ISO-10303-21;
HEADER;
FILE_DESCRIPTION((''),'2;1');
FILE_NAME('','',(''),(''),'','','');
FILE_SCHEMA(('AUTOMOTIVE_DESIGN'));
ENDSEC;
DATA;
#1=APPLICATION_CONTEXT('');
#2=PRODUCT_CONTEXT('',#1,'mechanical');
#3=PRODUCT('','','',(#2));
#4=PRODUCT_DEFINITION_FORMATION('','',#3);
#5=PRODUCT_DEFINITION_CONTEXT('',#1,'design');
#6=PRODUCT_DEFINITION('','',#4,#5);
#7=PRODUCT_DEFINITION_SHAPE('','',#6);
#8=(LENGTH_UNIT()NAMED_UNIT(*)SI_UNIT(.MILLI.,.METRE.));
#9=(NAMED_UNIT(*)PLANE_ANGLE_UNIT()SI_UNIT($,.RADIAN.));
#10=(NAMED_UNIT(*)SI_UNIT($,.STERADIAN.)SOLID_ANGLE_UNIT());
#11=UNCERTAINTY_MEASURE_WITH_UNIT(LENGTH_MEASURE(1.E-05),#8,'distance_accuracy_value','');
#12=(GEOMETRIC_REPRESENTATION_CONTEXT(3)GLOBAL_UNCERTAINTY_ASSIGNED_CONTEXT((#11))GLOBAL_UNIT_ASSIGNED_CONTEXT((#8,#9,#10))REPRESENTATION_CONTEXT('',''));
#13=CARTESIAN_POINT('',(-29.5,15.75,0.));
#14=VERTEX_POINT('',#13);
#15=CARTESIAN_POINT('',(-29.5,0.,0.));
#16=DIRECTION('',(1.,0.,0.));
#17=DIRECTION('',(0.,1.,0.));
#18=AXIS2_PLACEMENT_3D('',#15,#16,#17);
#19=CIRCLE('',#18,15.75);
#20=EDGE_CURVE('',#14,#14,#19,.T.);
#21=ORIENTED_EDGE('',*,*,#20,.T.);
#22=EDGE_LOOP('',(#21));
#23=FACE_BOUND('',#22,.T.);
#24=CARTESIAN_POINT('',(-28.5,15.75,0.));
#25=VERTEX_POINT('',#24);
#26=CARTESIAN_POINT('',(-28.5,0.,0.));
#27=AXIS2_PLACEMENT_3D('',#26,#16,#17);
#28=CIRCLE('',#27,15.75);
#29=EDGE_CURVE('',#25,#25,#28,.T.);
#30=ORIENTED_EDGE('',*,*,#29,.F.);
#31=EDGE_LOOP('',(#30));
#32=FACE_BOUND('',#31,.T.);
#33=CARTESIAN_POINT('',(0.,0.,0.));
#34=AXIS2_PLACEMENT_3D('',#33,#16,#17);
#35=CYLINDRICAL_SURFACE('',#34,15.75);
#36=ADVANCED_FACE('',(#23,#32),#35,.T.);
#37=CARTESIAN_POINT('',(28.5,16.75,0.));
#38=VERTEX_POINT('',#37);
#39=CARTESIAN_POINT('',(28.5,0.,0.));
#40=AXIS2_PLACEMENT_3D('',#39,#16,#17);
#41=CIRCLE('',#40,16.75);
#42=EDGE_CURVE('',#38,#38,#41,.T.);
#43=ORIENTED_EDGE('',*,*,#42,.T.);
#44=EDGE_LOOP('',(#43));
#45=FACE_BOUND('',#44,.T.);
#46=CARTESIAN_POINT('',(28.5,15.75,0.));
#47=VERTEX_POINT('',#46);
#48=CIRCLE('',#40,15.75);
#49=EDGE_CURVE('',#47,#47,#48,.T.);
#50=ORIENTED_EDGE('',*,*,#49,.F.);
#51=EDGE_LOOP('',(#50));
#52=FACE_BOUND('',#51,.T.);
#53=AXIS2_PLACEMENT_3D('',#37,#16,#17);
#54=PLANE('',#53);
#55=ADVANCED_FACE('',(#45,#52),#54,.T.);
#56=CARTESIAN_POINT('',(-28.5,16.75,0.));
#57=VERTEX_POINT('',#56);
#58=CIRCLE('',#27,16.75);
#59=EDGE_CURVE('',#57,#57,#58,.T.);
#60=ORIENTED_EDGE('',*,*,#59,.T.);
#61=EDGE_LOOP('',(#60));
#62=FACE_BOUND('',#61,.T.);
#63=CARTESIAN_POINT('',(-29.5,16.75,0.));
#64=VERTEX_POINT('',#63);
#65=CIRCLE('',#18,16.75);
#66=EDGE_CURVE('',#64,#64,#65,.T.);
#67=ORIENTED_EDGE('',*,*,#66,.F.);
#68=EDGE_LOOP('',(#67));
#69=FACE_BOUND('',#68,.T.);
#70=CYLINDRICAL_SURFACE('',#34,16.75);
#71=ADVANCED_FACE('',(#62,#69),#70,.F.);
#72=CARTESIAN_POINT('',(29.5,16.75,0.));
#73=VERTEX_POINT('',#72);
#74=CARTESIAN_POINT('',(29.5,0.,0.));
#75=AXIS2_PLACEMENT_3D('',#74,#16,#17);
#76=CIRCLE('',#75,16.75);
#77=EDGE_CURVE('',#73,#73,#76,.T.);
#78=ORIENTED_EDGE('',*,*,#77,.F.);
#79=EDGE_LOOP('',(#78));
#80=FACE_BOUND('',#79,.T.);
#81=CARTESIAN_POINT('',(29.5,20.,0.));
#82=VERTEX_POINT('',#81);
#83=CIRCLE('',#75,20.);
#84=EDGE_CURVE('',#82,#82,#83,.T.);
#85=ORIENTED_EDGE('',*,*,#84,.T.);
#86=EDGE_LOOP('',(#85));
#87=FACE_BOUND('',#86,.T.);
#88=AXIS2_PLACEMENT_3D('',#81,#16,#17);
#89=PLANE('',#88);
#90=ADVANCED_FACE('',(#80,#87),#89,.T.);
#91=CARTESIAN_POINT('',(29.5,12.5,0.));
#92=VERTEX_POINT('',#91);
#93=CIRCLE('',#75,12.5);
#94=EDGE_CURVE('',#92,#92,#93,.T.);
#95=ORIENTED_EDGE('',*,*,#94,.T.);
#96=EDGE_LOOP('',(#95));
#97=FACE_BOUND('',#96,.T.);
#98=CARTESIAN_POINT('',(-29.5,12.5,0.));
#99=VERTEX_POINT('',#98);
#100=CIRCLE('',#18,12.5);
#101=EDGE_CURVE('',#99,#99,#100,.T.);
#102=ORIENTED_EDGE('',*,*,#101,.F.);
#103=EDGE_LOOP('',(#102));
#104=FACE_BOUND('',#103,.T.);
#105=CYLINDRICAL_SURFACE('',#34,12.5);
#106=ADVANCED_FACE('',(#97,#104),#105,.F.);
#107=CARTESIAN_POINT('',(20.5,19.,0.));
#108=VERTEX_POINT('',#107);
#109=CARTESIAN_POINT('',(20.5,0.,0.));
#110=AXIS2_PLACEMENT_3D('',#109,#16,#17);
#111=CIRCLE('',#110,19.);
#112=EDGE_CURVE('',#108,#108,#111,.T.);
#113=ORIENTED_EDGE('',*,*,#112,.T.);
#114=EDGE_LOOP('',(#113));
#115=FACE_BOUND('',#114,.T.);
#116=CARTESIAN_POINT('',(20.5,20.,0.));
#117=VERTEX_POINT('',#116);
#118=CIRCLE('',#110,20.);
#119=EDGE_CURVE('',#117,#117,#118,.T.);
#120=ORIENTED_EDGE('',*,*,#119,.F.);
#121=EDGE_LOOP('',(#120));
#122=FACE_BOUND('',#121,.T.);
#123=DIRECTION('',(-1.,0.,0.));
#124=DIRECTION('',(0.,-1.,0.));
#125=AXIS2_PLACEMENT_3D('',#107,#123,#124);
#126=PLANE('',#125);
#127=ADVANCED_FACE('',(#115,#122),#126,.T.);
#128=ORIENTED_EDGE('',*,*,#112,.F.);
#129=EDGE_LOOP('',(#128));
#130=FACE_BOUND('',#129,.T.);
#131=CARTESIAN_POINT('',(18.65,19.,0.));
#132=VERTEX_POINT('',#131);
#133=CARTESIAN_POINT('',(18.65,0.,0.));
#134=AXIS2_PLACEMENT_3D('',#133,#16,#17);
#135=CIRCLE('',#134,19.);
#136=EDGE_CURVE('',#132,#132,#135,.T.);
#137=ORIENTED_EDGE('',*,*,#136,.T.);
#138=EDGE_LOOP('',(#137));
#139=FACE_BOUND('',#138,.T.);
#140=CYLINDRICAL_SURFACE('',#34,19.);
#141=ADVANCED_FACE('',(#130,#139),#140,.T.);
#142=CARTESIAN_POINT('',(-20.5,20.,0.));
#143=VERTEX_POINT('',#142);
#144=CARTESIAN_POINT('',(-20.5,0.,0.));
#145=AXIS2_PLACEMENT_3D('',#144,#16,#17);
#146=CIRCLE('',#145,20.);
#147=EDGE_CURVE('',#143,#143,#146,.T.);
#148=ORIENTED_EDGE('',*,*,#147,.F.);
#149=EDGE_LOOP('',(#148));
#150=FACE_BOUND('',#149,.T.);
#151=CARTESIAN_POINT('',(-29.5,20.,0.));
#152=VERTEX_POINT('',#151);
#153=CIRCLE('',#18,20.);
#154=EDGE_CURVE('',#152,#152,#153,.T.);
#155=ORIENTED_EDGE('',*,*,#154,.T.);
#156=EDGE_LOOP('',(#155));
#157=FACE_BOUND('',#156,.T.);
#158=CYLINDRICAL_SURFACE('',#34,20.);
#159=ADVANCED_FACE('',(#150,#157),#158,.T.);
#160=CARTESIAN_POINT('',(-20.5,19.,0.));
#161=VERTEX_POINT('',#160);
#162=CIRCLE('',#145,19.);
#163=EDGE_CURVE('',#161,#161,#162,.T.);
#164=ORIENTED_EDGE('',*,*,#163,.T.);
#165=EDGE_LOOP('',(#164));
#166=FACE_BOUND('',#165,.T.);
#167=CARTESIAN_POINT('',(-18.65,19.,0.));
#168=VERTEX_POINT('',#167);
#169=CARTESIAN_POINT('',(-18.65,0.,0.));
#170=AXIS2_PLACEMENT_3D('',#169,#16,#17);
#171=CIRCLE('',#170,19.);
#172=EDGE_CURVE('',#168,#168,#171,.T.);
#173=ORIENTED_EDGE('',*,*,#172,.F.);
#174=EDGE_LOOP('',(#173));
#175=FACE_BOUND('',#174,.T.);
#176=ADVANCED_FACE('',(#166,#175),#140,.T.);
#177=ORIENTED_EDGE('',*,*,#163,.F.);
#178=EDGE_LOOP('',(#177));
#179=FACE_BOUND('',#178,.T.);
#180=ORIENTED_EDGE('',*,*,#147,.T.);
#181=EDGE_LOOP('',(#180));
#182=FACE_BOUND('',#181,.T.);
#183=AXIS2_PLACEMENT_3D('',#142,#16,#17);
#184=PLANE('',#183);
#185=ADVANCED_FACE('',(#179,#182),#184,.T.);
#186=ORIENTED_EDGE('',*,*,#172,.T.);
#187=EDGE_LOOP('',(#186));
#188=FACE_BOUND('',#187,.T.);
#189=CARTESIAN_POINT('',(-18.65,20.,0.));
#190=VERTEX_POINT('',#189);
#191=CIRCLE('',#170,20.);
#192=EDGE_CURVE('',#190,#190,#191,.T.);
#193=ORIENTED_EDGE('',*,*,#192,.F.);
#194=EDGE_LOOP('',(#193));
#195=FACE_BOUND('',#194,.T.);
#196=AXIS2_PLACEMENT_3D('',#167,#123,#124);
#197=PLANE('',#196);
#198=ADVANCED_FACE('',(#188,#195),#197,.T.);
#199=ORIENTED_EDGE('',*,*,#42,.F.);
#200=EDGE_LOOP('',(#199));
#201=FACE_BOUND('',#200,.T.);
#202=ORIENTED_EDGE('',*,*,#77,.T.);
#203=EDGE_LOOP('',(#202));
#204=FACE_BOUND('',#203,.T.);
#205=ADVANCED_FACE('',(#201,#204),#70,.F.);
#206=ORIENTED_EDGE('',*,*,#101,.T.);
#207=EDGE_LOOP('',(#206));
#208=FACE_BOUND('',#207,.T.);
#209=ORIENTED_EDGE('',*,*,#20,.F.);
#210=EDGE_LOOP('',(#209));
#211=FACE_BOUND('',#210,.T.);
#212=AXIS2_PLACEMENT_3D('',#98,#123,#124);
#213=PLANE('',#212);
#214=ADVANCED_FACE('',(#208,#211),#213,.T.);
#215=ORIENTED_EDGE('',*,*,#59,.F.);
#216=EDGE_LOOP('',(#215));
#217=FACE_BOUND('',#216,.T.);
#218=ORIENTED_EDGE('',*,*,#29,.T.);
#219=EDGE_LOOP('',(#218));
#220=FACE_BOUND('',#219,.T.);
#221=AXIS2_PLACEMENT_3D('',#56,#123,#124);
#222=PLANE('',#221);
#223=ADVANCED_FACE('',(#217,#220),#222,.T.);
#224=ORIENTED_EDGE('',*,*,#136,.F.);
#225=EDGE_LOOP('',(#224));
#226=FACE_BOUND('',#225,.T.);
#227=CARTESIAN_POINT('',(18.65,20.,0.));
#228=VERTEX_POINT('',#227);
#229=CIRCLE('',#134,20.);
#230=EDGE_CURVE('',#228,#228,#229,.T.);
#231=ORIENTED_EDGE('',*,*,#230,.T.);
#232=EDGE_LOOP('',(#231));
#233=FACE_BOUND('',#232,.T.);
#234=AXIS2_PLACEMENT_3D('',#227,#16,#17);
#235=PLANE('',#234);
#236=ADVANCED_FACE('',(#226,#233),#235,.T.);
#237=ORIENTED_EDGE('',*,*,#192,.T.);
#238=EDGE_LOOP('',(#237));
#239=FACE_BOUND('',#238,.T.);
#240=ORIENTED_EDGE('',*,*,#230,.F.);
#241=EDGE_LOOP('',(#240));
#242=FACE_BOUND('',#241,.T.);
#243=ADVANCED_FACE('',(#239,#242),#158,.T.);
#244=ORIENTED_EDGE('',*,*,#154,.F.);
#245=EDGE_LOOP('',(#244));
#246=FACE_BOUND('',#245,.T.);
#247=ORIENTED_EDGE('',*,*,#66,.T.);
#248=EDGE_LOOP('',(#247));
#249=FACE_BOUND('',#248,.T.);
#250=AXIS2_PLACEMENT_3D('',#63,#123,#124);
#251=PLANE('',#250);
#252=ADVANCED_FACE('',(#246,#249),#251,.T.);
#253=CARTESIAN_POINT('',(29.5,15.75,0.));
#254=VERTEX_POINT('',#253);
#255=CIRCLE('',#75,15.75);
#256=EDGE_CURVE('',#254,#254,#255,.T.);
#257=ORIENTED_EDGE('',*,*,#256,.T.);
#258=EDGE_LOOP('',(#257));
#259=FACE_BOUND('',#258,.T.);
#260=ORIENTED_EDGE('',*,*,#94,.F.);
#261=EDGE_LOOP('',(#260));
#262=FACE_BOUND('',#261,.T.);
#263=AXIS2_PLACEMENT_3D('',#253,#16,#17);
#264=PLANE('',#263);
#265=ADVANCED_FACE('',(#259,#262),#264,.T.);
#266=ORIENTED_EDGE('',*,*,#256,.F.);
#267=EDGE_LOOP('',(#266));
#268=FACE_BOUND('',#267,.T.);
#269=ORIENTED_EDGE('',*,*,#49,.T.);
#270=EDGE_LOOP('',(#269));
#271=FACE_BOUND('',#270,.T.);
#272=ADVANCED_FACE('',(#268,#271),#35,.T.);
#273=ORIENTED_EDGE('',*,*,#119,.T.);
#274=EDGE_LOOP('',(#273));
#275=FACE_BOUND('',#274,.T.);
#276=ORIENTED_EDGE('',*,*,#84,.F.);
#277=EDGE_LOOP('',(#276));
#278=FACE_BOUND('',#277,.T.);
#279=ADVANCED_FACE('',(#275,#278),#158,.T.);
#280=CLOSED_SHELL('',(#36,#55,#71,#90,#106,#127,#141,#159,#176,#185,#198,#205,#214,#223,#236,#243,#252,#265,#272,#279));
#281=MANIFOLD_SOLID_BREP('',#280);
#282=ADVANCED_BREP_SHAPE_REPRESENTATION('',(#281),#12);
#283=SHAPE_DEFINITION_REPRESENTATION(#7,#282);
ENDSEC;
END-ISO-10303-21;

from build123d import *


with BuildPart() as part:
    # Esboço1 → Revolução1 (revolve)
    with BuildSketch(Plane.XY):
        Polygon((-29.5, 20), (-20.5, 20), (-20.5, 19), (-18.65, 19), (-18.65, 20), (18.65, 20), (18.65, 19), (20.5, 19), (20.5, 20), (29.5, 20), (29.5, 16.75), (28.5, 16.75), (28.5, 15.75), (29.5, 15.75), (29.5, 12.5), (-29.5, 12.5), (-29.5, 15.75), (-28.5, 15.75), (-28.5, 16.75), (-29.5, 16.75), align=None)
    revolve(axis=Axis((0, 0, 0), (-1, 0, 0)))


solid = part.part
